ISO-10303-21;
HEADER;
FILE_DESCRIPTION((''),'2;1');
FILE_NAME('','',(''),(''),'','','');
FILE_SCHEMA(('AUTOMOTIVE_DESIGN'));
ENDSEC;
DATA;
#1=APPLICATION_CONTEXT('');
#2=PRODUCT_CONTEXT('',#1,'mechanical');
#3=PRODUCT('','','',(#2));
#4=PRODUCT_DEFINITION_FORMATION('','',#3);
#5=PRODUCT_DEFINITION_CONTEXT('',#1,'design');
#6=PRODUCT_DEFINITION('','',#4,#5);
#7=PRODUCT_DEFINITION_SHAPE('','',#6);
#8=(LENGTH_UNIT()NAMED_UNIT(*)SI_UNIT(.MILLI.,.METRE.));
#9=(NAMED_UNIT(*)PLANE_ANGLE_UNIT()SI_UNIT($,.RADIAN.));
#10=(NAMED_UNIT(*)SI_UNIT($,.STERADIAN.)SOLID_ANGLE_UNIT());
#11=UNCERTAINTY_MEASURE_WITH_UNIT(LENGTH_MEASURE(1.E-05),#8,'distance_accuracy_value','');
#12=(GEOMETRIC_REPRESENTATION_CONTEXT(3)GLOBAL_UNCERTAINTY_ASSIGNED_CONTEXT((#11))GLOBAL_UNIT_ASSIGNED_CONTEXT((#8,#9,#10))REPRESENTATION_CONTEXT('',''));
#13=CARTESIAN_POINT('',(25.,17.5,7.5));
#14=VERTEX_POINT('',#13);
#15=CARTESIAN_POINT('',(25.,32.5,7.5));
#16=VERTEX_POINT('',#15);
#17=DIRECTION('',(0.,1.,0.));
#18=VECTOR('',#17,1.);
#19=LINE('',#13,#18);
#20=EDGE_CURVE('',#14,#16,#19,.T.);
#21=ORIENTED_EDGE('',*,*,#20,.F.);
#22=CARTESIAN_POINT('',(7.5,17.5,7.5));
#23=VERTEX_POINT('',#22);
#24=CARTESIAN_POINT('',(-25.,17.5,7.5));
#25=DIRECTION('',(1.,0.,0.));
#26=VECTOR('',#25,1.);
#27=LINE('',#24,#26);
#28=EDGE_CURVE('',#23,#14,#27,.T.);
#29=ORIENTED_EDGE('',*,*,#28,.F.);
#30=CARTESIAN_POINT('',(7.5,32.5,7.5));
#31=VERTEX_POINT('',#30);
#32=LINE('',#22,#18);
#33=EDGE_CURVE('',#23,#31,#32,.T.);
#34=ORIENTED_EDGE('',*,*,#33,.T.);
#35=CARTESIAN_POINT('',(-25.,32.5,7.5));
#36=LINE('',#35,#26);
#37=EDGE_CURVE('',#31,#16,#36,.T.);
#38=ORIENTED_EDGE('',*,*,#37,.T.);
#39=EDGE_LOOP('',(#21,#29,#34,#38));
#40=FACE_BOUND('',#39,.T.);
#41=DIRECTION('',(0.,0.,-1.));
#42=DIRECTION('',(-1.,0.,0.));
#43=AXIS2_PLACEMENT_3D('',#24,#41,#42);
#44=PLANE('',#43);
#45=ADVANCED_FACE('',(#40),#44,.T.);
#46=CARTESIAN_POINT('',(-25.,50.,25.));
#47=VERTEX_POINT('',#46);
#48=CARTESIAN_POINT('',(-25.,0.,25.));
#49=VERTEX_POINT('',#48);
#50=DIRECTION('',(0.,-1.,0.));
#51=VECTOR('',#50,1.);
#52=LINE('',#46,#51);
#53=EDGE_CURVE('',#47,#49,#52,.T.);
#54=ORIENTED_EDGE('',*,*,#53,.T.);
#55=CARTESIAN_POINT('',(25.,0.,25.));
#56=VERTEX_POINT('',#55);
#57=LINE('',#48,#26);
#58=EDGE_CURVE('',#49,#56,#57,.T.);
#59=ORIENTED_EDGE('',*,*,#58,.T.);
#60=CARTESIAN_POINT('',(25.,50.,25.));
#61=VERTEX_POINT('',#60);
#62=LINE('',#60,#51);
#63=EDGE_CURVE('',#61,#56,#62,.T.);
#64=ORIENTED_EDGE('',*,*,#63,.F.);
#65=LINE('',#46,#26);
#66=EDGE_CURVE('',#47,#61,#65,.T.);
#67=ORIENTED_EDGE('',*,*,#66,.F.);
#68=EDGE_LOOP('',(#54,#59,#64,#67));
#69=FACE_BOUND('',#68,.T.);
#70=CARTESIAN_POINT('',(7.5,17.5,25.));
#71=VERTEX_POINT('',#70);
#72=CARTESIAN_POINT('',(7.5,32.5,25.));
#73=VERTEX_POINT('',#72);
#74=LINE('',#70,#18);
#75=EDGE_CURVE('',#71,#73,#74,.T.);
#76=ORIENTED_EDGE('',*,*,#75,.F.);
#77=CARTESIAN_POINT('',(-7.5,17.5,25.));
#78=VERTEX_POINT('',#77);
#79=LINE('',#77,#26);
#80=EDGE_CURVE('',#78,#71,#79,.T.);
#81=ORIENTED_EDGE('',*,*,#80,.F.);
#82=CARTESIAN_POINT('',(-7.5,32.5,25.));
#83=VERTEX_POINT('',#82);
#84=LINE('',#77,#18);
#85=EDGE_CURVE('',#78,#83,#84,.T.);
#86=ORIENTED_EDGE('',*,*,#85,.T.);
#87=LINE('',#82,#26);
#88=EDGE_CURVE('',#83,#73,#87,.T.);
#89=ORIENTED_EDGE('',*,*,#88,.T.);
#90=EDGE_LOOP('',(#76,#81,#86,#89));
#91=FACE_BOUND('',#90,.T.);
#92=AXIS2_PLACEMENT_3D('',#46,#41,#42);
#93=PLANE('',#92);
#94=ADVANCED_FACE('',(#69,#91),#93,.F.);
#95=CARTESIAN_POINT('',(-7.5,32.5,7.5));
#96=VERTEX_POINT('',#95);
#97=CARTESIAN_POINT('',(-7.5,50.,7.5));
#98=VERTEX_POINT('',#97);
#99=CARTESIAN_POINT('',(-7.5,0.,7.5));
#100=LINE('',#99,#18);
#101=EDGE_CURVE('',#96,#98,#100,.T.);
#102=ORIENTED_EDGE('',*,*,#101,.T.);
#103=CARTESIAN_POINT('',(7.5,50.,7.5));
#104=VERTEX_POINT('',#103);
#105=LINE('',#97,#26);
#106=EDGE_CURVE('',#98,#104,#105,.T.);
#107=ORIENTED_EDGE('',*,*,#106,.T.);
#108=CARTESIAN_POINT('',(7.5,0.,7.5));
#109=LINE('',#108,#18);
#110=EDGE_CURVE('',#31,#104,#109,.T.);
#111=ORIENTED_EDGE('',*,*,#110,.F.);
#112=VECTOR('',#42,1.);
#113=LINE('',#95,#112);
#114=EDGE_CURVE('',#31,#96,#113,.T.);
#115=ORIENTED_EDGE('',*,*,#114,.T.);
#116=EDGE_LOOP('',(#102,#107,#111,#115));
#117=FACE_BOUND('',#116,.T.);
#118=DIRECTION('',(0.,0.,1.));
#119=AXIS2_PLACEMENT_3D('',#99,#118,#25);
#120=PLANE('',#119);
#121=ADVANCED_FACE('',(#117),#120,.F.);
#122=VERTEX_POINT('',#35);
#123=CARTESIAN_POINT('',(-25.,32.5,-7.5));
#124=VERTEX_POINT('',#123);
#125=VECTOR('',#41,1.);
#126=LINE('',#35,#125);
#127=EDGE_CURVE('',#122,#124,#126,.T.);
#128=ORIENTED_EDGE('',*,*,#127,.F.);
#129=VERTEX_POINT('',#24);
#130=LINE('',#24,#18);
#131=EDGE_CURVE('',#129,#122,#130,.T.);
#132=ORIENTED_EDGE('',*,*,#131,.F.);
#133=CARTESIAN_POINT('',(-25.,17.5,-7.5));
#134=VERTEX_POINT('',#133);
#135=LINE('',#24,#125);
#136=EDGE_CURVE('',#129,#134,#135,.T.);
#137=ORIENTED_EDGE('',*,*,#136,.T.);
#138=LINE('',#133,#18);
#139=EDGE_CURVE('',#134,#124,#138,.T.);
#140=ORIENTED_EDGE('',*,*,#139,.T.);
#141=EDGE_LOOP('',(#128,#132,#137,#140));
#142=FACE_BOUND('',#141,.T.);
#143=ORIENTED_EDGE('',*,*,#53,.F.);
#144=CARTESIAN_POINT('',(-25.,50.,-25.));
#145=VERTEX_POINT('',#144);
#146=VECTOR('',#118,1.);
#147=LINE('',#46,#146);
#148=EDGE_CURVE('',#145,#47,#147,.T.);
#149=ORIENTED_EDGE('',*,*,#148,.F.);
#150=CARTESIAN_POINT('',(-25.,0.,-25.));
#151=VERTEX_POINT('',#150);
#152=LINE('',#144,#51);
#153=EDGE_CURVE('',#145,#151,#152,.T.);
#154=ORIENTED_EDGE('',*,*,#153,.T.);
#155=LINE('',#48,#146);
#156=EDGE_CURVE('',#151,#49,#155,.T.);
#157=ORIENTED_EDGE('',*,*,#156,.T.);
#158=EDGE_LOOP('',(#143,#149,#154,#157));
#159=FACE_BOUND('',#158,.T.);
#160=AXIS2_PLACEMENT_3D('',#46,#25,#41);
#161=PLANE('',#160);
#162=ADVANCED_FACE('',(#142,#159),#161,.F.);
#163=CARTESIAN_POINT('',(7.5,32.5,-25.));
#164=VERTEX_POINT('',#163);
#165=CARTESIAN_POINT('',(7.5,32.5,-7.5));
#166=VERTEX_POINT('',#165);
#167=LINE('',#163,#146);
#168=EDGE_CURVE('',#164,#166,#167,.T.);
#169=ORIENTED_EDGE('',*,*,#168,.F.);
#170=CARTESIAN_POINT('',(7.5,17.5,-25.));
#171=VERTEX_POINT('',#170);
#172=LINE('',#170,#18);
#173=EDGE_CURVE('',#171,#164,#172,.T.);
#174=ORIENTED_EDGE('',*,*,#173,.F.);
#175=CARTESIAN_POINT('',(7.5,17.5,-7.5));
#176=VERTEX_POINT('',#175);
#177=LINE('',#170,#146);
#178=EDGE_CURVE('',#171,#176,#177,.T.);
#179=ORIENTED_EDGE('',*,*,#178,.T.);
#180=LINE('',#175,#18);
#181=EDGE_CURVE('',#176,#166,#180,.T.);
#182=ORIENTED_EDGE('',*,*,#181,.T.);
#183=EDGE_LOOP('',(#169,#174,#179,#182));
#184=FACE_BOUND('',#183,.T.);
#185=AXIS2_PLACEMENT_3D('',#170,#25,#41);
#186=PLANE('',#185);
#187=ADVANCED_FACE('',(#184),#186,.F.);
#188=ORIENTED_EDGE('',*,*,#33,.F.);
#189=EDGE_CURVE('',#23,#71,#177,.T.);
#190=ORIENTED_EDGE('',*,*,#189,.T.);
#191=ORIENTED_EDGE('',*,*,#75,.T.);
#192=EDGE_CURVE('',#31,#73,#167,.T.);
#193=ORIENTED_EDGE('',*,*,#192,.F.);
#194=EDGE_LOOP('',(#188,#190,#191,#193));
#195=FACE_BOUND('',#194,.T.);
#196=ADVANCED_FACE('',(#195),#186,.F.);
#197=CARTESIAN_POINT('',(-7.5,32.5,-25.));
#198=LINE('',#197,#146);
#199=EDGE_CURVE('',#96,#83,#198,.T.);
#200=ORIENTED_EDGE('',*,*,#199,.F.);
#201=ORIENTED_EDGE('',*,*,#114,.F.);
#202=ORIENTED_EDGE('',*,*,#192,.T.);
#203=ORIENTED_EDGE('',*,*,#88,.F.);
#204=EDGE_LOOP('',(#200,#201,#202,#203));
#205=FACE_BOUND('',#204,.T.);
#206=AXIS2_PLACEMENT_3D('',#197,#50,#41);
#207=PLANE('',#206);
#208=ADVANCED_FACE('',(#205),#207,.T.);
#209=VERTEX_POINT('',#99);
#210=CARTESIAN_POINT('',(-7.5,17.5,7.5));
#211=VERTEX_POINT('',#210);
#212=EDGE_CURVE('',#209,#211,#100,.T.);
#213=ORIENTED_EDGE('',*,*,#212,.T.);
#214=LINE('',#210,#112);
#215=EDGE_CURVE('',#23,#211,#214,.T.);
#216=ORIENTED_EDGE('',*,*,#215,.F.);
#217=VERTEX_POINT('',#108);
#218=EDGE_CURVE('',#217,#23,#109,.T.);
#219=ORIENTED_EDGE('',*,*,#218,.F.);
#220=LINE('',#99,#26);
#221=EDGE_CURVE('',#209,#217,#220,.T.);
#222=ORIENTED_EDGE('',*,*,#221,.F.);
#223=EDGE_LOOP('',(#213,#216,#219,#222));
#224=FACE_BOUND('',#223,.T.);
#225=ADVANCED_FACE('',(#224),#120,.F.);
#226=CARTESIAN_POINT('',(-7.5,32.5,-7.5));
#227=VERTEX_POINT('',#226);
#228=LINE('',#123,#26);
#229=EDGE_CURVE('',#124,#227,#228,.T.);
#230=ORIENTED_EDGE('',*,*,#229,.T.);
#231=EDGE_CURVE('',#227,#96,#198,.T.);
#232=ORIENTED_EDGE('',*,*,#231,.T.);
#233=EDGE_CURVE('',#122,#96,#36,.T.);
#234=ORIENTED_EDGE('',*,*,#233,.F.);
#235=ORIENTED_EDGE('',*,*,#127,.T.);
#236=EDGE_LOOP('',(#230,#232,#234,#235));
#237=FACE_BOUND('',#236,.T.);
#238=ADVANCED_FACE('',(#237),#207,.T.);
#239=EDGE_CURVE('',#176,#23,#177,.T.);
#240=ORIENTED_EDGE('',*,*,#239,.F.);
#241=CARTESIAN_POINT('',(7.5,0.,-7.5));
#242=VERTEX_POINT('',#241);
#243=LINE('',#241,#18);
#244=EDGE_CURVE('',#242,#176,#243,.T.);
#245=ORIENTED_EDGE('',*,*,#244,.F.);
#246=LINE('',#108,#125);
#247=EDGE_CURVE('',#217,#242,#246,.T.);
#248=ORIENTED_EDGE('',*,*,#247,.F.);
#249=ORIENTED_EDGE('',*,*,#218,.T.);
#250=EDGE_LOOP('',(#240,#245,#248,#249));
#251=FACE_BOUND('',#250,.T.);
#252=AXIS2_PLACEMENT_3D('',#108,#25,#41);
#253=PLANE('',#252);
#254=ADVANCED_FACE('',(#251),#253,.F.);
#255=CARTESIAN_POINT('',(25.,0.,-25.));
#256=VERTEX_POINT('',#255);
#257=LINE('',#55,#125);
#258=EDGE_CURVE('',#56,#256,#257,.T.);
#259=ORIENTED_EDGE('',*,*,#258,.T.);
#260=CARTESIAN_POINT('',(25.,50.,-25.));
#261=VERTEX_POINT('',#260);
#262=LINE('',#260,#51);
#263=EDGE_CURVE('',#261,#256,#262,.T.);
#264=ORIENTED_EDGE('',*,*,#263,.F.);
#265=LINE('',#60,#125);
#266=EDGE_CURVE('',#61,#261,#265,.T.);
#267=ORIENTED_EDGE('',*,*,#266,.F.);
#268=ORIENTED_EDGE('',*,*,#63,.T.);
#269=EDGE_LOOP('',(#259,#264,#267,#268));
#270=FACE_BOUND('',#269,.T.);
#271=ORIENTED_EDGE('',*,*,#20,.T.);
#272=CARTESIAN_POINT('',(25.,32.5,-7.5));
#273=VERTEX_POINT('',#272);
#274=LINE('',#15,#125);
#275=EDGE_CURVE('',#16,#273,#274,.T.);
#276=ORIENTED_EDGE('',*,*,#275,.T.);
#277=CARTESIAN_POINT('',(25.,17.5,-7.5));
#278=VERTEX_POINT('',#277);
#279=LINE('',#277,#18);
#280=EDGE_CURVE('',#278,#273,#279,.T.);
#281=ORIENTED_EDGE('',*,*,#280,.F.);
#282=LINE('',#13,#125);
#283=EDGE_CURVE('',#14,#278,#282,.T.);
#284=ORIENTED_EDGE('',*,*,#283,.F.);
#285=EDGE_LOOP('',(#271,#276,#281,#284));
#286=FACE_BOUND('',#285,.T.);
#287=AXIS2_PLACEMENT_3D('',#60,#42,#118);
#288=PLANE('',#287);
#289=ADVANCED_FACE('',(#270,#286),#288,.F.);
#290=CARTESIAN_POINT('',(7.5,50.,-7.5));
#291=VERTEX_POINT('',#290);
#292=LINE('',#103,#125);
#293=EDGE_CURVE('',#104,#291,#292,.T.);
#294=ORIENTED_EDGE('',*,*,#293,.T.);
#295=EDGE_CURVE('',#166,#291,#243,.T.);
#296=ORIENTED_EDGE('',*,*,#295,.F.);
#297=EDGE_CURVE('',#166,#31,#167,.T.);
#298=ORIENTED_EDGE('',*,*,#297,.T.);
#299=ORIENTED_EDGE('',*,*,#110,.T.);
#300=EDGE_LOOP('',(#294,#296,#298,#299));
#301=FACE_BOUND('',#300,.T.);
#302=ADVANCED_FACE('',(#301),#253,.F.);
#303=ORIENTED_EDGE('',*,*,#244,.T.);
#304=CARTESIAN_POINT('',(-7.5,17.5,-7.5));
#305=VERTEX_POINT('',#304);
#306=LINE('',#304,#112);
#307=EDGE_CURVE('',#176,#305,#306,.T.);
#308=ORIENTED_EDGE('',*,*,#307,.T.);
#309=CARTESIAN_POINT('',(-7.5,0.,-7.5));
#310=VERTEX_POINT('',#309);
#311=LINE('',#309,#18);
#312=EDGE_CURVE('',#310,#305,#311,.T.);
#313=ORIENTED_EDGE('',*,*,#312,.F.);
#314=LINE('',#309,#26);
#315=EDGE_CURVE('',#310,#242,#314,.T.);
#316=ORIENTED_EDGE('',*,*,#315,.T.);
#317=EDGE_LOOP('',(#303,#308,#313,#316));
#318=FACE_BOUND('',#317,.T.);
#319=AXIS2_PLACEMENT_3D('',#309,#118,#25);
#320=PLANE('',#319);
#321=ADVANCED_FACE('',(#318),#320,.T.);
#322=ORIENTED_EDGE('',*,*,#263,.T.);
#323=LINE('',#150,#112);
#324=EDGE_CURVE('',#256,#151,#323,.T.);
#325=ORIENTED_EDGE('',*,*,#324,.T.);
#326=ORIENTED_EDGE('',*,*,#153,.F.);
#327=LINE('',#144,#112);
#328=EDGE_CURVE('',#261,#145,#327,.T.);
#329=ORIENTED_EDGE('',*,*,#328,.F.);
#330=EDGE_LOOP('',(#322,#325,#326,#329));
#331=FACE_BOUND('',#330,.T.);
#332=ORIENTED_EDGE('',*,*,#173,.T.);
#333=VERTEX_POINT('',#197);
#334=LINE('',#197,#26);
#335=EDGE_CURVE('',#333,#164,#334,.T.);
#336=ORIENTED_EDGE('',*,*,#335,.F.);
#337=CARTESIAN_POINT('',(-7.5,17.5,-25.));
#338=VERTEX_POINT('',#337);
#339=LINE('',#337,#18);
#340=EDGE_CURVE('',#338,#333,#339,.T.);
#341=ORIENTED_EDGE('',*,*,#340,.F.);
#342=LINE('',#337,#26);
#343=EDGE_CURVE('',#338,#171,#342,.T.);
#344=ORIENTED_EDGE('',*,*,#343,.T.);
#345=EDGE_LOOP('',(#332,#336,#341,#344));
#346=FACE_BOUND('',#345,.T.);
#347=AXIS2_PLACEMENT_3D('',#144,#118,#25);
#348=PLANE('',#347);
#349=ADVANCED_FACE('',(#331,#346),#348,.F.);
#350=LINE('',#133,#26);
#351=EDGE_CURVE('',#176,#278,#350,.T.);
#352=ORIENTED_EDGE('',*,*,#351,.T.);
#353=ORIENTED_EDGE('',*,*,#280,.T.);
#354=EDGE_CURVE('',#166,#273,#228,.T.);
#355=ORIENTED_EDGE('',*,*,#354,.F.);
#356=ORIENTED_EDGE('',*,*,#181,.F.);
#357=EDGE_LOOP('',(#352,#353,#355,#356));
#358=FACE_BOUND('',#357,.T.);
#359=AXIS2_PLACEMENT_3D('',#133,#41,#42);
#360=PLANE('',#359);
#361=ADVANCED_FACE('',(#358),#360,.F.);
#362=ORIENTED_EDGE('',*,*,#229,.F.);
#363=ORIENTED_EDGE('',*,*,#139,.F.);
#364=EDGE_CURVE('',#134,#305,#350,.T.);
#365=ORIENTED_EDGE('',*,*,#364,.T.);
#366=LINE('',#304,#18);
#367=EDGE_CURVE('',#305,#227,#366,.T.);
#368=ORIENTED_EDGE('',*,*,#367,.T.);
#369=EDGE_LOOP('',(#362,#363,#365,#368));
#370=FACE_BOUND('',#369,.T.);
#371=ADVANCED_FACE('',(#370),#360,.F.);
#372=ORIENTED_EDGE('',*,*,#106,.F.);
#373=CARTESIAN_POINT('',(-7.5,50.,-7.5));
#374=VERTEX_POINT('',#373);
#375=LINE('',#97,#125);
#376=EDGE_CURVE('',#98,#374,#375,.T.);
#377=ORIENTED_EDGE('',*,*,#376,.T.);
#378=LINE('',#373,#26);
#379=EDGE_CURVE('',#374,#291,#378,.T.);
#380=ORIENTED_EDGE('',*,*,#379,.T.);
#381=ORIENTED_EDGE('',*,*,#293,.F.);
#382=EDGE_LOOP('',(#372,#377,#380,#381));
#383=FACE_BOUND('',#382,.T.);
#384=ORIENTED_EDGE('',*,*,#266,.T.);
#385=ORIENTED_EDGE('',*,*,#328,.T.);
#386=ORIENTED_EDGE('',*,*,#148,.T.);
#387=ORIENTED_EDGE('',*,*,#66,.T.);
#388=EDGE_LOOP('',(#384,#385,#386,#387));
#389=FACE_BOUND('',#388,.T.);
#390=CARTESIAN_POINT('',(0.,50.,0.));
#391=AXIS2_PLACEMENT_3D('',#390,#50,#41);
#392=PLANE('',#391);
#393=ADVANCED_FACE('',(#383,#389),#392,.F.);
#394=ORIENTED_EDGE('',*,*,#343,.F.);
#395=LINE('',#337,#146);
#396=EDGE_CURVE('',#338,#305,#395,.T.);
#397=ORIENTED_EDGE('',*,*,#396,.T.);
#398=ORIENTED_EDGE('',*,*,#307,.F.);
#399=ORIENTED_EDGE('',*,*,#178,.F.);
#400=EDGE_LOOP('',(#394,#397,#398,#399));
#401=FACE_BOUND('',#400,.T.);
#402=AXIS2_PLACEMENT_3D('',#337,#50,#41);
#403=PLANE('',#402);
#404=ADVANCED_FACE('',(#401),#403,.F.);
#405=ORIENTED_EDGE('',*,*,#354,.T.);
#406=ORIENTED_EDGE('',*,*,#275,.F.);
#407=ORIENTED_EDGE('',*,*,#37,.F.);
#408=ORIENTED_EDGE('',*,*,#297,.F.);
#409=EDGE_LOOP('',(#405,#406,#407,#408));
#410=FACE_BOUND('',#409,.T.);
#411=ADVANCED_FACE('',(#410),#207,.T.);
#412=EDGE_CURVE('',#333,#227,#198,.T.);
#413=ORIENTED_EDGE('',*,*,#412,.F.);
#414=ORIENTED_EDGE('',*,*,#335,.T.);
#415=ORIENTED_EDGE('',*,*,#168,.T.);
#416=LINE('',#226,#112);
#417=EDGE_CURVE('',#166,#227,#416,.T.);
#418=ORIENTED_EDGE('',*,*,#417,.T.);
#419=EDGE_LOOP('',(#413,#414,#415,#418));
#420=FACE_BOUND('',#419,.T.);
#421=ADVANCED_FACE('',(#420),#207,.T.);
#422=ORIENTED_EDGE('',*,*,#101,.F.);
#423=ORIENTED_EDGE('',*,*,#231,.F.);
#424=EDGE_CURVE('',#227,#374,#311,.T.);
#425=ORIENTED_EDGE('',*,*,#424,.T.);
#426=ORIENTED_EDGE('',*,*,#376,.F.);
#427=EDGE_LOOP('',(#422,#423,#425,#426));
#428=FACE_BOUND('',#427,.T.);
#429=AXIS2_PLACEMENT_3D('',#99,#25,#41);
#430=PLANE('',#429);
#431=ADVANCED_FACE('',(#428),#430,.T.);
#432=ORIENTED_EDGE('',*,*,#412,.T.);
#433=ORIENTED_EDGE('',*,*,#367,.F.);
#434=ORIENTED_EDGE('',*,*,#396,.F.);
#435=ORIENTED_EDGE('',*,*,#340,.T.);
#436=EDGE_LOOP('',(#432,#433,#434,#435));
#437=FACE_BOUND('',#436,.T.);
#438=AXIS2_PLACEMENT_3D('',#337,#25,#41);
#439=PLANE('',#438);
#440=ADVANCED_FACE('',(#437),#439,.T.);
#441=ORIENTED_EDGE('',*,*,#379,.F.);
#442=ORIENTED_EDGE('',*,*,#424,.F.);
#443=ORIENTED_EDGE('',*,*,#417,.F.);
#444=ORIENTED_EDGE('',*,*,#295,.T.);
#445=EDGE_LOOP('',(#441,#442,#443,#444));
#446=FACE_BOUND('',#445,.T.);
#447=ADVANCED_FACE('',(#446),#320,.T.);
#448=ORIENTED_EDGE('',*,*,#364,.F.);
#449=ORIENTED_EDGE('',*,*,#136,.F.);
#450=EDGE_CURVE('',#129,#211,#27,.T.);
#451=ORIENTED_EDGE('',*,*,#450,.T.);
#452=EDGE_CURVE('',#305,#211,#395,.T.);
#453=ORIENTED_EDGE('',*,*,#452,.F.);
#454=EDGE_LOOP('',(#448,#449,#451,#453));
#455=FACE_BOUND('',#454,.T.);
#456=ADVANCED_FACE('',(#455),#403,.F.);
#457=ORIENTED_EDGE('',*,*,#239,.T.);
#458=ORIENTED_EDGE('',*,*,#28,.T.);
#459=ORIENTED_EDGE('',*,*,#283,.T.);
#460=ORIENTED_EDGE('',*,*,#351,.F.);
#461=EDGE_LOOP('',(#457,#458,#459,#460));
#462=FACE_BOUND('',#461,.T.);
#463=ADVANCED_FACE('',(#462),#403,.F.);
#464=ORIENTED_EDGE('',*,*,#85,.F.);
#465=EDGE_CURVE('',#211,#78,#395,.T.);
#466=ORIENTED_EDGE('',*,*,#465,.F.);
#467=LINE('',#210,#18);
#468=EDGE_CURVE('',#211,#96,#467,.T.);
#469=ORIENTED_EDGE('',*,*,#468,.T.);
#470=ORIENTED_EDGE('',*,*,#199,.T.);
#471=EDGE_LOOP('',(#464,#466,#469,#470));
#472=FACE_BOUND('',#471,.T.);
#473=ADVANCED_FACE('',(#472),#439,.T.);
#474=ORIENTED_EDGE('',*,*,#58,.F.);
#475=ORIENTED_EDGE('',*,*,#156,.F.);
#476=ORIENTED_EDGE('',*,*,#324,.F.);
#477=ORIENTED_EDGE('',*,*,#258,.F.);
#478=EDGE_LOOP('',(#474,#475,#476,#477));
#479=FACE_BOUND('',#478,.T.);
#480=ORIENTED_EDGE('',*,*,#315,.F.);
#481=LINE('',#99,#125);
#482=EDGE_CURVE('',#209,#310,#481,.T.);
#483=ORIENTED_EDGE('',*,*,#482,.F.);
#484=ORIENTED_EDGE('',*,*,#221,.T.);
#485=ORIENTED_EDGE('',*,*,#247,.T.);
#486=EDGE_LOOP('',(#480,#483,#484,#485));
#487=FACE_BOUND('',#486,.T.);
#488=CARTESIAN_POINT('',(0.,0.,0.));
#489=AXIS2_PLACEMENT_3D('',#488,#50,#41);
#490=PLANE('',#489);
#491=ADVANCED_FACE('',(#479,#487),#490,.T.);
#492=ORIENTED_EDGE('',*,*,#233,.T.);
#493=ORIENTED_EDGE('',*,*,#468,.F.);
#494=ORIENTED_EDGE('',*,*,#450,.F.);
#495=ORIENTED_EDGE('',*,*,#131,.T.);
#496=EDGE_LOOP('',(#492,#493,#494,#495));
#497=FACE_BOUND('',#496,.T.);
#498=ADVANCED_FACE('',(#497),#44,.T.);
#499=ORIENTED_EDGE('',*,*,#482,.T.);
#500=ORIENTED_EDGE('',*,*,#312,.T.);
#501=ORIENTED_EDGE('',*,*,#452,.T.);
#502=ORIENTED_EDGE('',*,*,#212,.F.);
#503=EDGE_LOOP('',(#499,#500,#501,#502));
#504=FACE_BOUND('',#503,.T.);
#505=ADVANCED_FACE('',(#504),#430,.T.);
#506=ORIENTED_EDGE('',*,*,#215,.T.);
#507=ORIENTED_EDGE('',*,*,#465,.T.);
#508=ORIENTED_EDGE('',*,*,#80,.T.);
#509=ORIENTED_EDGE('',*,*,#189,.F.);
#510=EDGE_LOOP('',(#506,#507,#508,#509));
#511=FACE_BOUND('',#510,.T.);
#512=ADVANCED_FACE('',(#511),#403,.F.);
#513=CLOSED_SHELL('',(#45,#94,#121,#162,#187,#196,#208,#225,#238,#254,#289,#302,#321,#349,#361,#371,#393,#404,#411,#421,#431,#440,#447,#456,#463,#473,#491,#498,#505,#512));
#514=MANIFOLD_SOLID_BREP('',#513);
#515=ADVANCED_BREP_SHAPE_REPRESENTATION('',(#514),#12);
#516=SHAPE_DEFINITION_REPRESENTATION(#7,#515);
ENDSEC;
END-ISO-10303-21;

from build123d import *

# Parameters (mm, degrees)
SKETCH2_W           = 50
SKETCH2_H           = 50
BOSS_EXTRUDE1_DEPTH = 50
SKETCH4_W           = 15
SKETCH4_H           = 15
CUT_EXTRUDE1_DEPTH  = 76
SKETCH5_W           = 15
SKETCH5_H           = 15
CUT_EXTRUDE2_DEPTH  = 76
SKETCH6_W           = 15
SKETCH6_H           = 15
CUT_EXTRUDE3_DEPTH  = 62.23724357


with BuildPart() as part:
    # Sketch2 → Boss-Extrude1 (new body)
    with BuildSketch(Plane(origin=(0, 0, 0), x_dir=(1, 0, 0), z_dir=(0, 1, 0))):
        Rectangle(SKETCH2_W, SKETCH2_H)
    extrude(amount=BOSS_EXTRUDE1_DEPTH)

    # Sketch4 → Cut-Extrude1 (cut, through all)
    with BuildSketch(Plane.XY.offset(25)):
        with Locations((0, 25)):
            Rectangle(SKETCH4_W, SKETCH4_H)
    extrude(amount=-CUT_EXTRUDE1_DEPTH, mode=Mode.SUBTRACT)

    # Sketch5 → Cut-Extrude2 (cut, through all)
    with BuildSketch(Plane(origin=(25, 0, 0), x_dir=(0, 0, -1), z_dir=(1, 0, 0))):
        with Locations((0, 25)):
            Rectangle(SKETCH5_W, SKETCH5_H)
    extrude(amount=-CUT_EXTRUDE2_DEPTH, mode=Mode.SUBTRACT)

    # Sketch6 → Cut-Extrude3 (cut, through all)
    with BuildSketch(Plane(origin=(0, 50, 0), x_dir=(1, 0, 0), z_dir=(0, 1, 0))):
        Rectangle(SKETCH6_W, SKETCH6_H)
    extrude(amount=-CUT_EXTRUDE3_DEPTH, mode=Mode.SUBTRACT)


solid = part.part
